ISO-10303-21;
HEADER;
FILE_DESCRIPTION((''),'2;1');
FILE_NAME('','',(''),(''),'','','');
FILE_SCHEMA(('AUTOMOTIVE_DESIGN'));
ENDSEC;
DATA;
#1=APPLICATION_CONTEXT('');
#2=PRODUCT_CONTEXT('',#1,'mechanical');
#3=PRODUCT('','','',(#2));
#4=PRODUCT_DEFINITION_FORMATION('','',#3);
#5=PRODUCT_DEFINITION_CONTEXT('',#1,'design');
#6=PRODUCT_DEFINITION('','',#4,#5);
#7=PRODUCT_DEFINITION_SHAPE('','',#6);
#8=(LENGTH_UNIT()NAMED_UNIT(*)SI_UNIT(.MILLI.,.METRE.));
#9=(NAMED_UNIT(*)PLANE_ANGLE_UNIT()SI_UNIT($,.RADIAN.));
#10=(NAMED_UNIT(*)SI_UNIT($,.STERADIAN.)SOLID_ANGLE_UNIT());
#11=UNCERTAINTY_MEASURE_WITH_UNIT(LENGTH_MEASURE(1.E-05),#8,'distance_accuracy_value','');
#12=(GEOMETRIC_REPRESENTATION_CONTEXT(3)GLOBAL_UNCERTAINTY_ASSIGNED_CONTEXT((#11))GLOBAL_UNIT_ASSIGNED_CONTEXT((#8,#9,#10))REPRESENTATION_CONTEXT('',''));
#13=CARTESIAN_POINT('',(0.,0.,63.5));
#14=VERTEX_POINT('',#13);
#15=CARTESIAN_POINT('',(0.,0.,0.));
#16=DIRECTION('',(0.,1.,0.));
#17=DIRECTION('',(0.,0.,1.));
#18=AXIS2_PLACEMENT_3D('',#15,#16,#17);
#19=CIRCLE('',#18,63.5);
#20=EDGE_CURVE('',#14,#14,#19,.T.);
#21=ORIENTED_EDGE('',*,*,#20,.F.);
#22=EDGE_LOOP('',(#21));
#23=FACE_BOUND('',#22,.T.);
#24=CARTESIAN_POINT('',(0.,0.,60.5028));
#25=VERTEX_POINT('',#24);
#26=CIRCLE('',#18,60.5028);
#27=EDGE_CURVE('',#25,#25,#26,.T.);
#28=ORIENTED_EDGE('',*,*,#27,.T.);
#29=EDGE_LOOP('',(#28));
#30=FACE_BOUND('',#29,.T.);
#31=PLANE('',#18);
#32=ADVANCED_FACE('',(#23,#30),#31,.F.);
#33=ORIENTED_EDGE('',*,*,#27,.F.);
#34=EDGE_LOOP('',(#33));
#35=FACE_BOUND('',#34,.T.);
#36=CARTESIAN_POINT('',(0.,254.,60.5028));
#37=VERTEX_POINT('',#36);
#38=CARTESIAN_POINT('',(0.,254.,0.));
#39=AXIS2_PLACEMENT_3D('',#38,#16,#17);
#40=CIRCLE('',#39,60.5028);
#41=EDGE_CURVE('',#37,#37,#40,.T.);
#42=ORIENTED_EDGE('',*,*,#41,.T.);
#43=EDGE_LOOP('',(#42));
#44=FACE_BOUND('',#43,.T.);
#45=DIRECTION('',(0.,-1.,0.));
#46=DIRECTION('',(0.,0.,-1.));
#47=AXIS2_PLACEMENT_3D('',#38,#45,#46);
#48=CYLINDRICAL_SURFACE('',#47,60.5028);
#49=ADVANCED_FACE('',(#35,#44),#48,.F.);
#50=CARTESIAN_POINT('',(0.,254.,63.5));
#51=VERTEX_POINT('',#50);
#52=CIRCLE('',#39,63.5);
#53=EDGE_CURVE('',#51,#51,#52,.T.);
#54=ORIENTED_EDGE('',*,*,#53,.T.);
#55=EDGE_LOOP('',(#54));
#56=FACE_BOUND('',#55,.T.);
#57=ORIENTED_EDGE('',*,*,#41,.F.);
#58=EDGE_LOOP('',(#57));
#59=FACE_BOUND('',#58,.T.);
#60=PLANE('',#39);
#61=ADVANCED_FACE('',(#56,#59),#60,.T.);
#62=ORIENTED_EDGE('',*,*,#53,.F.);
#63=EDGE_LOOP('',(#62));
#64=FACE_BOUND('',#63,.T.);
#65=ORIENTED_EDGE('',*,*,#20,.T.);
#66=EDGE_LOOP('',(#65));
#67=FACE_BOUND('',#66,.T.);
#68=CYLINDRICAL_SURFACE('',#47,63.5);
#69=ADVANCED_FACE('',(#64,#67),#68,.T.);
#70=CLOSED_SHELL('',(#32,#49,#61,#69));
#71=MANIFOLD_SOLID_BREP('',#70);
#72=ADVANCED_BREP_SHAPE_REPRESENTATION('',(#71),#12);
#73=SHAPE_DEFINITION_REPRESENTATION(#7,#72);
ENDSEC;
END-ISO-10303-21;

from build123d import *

# Parameters (mm, degrees)
SKETCH1_R           = 63.5
SKETCH1_R_2         = 60.5028
BOSS_EXTRUDE1_DEPTH = 254


with BuildPart() as part:
    # Sketch1 → Boss-Extrude1 (new body)
    with BuildSketch(Plane(origin=(0, 0, 0), x_dir=(1, 0, 0), z_dir=(0, 1, 0))):
        Circle(SKETCH1_R)
        Circle(SKETCH1_R_2, mode=Mode.SUBTRACT)
    extrude(amount=BOSS_EXTRUDE1_DEPTH)


solid = part.part
